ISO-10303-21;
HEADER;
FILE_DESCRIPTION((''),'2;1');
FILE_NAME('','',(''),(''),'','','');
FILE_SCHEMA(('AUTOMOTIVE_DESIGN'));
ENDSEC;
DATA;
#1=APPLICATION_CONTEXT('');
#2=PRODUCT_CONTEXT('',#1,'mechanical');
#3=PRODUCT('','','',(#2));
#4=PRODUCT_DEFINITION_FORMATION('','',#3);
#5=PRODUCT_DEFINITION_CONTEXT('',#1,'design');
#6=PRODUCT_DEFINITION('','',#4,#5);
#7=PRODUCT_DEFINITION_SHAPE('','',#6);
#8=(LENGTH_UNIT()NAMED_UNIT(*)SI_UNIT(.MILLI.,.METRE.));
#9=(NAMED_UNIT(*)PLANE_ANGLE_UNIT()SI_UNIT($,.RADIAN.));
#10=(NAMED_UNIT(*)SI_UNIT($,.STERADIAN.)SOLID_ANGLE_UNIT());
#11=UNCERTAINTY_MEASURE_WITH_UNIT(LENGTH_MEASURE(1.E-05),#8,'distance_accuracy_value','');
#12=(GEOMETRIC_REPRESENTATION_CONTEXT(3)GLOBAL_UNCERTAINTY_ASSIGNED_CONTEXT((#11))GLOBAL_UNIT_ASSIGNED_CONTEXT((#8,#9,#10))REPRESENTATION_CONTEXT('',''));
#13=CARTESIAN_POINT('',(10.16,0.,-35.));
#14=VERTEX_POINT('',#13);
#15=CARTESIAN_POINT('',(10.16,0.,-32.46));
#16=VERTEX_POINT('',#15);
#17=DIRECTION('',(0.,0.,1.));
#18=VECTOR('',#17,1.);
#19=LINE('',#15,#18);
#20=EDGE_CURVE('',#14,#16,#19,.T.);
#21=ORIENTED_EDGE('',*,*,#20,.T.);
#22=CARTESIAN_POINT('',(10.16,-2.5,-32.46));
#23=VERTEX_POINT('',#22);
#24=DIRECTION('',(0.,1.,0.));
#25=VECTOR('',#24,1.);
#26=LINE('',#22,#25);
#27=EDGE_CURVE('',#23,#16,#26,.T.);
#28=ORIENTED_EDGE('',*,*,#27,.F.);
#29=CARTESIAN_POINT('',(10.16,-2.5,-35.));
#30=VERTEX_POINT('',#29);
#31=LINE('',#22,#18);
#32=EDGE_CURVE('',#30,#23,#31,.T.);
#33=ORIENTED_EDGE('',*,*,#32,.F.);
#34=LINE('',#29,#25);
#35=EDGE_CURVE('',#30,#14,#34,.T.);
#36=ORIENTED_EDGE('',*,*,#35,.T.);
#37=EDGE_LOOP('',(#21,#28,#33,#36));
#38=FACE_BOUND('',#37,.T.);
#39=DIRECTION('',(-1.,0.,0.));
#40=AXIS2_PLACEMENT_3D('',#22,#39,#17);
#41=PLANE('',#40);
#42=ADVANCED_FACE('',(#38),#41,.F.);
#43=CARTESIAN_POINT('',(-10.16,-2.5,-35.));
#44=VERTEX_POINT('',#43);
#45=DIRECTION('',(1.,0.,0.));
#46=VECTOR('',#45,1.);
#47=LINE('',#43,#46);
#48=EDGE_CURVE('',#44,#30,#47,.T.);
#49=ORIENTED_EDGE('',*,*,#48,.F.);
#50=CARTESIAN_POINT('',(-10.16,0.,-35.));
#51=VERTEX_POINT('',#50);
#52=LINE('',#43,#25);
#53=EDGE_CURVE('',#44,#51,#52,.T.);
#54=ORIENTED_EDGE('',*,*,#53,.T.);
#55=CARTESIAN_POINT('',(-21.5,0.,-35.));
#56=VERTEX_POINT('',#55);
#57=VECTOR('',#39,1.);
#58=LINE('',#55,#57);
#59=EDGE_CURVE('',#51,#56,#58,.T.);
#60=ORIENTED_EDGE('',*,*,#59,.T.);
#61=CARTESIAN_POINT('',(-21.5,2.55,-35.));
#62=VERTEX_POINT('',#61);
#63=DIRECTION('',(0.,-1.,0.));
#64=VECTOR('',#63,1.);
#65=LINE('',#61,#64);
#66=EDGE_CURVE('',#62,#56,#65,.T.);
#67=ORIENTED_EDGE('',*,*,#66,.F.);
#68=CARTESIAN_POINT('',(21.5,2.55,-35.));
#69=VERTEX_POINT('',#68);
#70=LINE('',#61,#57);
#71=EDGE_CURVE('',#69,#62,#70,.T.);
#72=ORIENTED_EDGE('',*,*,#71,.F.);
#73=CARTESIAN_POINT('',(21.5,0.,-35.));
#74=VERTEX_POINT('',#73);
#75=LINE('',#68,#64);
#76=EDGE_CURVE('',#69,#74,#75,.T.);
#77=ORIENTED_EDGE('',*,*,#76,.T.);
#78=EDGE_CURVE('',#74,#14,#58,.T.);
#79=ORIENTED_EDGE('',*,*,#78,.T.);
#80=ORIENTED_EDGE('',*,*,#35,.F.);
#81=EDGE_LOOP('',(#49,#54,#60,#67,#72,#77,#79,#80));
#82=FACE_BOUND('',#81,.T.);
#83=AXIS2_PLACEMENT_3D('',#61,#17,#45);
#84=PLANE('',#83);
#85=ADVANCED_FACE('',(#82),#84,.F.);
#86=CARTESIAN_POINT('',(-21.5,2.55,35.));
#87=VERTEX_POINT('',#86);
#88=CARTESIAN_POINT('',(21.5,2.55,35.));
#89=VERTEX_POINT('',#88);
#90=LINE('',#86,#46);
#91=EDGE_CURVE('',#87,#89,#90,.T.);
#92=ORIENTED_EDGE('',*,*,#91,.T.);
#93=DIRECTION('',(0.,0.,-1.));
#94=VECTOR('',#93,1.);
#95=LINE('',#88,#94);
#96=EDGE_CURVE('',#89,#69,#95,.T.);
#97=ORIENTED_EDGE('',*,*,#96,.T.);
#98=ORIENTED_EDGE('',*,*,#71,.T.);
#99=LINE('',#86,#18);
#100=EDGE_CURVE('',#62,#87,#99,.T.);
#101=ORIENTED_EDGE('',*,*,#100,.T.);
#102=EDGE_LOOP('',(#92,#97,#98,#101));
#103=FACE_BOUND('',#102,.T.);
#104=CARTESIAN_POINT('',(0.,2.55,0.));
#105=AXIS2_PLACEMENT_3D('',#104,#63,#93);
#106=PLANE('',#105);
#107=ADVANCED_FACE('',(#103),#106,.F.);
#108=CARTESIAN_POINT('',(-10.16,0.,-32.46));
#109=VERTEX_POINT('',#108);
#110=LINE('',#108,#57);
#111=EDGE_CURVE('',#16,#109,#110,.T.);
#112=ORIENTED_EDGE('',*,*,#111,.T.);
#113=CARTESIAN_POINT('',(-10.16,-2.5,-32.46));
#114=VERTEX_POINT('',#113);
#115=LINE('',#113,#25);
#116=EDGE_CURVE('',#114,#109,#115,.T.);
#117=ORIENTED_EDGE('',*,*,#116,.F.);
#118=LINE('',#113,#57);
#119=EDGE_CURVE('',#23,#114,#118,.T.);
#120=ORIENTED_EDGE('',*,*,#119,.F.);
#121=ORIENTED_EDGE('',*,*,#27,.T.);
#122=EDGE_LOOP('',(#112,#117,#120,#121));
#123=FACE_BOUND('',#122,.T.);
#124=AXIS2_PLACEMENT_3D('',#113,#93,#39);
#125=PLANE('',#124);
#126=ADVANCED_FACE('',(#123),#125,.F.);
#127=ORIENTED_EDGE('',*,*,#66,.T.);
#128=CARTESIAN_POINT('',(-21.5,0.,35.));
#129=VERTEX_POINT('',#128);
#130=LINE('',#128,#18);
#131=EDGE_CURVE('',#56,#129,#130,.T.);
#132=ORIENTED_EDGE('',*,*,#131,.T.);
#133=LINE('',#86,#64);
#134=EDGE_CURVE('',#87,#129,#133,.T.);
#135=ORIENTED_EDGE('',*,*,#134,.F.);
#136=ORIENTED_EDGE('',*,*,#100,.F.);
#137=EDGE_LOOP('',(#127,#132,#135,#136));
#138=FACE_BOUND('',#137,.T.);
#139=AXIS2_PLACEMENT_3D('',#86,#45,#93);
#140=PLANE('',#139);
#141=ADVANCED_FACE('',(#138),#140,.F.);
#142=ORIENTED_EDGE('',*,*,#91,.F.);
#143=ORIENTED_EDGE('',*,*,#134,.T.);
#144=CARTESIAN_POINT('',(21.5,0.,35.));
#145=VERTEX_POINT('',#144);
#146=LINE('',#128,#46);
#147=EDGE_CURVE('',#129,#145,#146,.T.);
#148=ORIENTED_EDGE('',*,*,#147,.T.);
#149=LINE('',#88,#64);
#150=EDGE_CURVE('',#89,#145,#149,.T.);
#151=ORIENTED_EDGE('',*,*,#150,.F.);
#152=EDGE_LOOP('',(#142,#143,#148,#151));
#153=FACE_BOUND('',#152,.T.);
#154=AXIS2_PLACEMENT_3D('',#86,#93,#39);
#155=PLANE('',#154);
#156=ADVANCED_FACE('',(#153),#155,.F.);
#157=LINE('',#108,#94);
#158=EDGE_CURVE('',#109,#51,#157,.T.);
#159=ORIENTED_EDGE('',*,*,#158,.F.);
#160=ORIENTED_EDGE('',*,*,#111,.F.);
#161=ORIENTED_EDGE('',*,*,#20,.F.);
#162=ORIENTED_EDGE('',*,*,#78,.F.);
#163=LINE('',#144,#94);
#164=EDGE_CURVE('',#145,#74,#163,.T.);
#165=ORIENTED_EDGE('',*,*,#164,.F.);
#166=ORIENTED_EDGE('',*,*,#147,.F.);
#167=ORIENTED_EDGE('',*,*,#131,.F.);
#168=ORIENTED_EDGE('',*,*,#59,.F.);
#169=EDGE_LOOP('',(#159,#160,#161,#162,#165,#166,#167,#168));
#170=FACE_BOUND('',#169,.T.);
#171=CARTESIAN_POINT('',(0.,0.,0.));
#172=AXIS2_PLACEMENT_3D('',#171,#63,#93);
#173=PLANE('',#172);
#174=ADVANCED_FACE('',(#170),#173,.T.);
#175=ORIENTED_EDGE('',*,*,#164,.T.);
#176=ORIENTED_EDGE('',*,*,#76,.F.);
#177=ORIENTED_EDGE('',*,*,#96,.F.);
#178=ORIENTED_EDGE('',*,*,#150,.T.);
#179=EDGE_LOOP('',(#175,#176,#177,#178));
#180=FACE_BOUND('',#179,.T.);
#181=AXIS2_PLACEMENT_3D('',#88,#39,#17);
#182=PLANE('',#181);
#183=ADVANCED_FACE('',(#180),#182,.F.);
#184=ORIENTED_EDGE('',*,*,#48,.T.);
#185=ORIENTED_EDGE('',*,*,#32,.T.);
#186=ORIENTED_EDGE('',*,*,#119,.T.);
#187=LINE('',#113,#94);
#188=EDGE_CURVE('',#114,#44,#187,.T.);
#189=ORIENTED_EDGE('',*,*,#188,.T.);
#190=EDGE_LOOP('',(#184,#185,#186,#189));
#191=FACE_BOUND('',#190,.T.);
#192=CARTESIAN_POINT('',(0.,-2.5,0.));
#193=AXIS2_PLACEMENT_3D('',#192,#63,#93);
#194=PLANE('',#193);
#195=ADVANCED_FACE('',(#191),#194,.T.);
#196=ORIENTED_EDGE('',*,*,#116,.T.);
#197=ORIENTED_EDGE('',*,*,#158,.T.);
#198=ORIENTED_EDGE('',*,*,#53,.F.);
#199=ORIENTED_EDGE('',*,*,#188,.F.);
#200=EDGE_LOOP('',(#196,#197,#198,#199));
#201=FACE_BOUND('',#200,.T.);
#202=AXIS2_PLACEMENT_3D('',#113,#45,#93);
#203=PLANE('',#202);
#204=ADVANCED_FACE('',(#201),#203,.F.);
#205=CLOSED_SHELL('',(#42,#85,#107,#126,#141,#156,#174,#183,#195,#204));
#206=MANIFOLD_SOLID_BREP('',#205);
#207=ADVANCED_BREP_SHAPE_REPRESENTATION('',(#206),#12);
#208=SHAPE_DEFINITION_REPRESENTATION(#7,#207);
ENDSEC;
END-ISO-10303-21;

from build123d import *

# Parameters (mm, degrees)
SKETCH_1_W      = 43
SKETCH_1_H      = 70
EXTRUDE_1_DEPTH = 2.55
SKETCH_2_W      = 20.32
SKETCH_2_H      = 2.54
EXTRUDE_2_DEPTH = 2.5


with BuildPart() as part:
    # 草图1 → 凸台-拉伸1 (new body)
    with BuildSketch(Plane(origin=(0, 0, 0), x_dir=(1, 0, 0), z_dir=(0, 1, 0))):
        Rectangle(SKETCH_1_W, SKETCH_1_H)
    extrude(amount=EXTRUDE_1_DEPTH)

    # 草图2 → 凸台-拉伸2 (add)
    with BuildSketch(Plane(origin=(0, 0, 0), x_dir=(-1, 0, 0), z_dir=(0, -1, 0))):
        with Locations((0, 33.73)):
            Rectangle(SKETCH_2_W, SKETCH_2_H)
    extrude(amount=EXTRUDE_2_DEPTH)


solid = part.part
